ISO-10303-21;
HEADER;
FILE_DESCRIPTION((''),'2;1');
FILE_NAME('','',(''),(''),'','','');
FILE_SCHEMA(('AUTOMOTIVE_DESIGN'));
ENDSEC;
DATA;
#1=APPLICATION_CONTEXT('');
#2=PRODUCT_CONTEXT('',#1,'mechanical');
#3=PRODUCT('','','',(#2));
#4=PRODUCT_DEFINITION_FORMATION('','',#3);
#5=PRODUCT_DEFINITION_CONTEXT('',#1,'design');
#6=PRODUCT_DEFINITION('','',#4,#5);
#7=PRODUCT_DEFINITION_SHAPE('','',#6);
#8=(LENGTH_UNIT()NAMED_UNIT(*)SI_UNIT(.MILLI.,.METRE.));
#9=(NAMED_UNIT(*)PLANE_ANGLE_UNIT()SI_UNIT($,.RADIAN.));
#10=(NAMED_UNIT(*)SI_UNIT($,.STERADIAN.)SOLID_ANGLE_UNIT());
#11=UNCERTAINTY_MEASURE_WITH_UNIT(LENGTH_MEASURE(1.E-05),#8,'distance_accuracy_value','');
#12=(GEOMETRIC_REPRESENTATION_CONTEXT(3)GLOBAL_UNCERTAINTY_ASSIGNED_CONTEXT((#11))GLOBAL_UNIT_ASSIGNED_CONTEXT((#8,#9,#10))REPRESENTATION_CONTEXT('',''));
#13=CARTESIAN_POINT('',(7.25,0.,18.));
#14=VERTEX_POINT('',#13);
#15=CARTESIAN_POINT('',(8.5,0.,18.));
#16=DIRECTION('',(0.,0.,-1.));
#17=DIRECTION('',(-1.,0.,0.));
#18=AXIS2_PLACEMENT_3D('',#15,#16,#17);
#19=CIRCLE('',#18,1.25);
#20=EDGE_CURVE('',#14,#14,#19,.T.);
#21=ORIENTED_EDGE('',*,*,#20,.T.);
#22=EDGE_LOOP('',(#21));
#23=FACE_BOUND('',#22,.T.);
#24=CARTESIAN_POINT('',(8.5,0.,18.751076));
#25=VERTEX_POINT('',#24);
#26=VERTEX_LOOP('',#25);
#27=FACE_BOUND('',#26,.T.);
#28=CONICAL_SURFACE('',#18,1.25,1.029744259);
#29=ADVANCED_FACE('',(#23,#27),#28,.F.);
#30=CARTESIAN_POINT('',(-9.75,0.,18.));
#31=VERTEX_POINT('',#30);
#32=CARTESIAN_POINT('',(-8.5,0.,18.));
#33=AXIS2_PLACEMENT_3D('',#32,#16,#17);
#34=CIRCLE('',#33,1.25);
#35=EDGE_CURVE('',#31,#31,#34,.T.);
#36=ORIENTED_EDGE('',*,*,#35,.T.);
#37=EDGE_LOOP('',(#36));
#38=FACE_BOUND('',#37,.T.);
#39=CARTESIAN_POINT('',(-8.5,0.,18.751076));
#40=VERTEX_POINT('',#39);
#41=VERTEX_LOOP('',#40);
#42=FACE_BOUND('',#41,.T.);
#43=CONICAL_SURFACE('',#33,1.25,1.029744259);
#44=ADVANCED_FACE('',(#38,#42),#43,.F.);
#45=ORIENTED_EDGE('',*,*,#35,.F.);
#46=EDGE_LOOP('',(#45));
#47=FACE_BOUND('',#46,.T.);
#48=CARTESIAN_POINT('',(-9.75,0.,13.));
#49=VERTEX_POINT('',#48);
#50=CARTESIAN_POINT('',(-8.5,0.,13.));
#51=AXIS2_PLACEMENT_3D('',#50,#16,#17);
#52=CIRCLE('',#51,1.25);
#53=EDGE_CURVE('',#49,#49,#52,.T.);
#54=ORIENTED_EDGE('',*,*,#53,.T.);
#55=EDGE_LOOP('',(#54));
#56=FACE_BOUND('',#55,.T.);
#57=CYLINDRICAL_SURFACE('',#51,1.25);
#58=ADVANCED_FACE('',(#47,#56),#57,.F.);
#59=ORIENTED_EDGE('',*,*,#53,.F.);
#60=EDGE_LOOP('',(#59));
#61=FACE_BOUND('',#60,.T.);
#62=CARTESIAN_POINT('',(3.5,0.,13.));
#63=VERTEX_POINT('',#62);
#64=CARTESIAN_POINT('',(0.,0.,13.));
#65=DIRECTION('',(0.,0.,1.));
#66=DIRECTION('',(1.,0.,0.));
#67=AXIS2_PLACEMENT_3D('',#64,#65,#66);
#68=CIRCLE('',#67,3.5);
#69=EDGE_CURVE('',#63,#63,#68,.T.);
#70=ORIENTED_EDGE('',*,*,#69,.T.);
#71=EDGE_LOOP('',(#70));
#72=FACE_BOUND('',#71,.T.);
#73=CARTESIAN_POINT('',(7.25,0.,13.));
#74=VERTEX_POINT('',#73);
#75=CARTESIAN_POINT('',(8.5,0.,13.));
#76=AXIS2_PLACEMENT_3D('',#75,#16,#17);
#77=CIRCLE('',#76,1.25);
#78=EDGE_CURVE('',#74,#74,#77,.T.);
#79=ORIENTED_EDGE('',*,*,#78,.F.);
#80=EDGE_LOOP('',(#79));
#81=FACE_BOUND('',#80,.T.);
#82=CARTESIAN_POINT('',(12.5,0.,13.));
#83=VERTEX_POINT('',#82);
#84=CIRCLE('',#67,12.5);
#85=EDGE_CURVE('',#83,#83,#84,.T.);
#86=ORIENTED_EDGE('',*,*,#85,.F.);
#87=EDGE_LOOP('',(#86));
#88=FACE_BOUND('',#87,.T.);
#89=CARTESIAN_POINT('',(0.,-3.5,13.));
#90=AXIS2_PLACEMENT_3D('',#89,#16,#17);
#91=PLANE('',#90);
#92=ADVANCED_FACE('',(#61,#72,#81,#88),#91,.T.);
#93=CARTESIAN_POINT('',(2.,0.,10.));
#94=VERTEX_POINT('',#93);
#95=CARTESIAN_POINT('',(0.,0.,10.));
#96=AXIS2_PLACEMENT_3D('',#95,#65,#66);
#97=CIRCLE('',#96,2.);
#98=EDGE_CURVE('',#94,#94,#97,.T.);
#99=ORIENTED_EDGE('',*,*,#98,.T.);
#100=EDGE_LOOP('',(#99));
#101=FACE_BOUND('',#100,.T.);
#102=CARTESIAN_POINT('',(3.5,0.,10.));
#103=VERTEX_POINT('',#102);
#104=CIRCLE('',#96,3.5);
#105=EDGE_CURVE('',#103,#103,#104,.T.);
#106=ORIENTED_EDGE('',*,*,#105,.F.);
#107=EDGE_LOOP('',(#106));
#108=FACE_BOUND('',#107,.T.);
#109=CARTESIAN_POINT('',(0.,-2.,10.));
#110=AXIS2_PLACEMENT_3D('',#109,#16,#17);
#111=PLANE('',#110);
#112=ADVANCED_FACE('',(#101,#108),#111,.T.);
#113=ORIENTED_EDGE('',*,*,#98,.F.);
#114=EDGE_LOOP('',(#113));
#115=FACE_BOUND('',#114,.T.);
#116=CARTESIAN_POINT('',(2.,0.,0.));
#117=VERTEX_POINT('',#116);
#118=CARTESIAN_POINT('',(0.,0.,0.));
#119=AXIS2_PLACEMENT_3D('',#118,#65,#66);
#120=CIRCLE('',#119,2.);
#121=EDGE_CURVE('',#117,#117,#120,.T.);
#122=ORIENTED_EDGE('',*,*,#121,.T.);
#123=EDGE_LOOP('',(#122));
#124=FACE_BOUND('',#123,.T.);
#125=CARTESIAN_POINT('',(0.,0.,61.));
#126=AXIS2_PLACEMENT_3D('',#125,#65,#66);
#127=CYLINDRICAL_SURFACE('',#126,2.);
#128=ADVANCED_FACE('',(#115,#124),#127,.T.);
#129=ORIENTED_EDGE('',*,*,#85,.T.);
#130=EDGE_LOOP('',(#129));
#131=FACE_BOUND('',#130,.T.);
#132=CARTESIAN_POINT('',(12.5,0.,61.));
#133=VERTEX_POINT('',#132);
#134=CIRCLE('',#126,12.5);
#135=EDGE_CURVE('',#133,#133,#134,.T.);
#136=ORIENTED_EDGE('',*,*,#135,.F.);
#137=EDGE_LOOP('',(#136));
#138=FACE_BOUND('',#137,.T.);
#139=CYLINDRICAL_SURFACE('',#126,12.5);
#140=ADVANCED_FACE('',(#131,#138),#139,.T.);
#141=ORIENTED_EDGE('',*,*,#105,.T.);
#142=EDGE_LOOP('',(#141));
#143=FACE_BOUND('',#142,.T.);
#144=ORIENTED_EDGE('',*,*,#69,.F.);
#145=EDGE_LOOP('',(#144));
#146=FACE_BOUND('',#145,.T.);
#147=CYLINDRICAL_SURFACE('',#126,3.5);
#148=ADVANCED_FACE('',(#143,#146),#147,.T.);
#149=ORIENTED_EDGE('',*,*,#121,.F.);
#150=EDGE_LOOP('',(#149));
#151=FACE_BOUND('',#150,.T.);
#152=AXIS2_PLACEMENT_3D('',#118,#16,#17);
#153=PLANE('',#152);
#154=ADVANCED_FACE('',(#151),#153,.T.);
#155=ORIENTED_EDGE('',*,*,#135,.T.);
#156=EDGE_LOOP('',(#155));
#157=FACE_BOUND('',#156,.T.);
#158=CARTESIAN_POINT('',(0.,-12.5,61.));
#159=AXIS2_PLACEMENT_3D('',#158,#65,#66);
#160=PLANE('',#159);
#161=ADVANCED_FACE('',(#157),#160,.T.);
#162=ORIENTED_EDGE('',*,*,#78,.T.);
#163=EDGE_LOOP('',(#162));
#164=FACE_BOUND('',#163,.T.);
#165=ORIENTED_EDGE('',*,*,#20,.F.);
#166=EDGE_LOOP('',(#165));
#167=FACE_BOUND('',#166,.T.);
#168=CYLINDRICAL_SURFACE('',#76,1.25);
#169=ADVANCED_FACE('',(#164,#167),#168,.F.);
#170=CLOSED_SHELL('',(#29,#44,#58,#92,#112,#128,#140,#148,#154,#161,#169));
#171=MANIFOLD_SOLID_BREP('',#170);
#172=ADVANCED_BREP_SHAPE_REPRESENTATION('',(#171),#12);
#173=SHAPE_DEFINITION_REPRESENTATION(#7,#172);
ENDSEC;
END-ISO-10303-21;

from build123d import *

# Parameters (mm, degrees)
TAP_DRILL_FOR_M3X0_5_TAP1_D     = 2.5
TAP_DRILL_FOR_M3X0_5_TAP1_DEPTH = 5
TAP_DRILL_FOR_M3X0_5_TAP1_TIP   = 0.751075774


with BuildPart() as part:
    # Sketch1 → Revolve1 (revolve)
    with BuildSketch(Plane(origin=(0, 0, 0), x_dir=(0, 0, -1), z_dir=(1, 0, 0)), mode=Mode.PRIVATE) as revolve1_sk:
        Polygon((0, 0), (0, -2), (-10, -2), (-10, -3.5), (-13, -3.5), (-13, -12.5), (-61, -12.5), (-61, 0), align=None)
    revolve(revolve1_sk.sketch.rotate(Axis((0, 0, 61), (0, 0, -1)), 270), axis=Axis((0, 0, 61), (0, 0, -1)))

    # Tap Drill for M3x0.5 Tap1
    with Locations(Plane(origin=(0, 0, 13), x_dir=(-1, 0, 0), z_dir=(0, 0, -1))):
        with Locations((-8.5, 0), (8.5, 0)):
            Hole(TAP_DRILL_FOR_M3X0_5_TAP1_D / 2, depth=TAP_DRILL_FOR_M3X0_5_TAP1_DEPTH)
            with Locations((0, 0, -(TAP_DRILL_FOR_M3X0_5_TAP1_DEPTH + TAP_DRILL_FOR_M3X0_5_TAP1_TIP / 2))):  # 118° drill point
                Cone(0, TAP_DRILL_FOR_M3X0_5_TAP1_D / 2, TAP_DRILL_FOR_M3X0_5_TAP1_TIP, mode=Mode.SUBTRACT)


solid = part.part
